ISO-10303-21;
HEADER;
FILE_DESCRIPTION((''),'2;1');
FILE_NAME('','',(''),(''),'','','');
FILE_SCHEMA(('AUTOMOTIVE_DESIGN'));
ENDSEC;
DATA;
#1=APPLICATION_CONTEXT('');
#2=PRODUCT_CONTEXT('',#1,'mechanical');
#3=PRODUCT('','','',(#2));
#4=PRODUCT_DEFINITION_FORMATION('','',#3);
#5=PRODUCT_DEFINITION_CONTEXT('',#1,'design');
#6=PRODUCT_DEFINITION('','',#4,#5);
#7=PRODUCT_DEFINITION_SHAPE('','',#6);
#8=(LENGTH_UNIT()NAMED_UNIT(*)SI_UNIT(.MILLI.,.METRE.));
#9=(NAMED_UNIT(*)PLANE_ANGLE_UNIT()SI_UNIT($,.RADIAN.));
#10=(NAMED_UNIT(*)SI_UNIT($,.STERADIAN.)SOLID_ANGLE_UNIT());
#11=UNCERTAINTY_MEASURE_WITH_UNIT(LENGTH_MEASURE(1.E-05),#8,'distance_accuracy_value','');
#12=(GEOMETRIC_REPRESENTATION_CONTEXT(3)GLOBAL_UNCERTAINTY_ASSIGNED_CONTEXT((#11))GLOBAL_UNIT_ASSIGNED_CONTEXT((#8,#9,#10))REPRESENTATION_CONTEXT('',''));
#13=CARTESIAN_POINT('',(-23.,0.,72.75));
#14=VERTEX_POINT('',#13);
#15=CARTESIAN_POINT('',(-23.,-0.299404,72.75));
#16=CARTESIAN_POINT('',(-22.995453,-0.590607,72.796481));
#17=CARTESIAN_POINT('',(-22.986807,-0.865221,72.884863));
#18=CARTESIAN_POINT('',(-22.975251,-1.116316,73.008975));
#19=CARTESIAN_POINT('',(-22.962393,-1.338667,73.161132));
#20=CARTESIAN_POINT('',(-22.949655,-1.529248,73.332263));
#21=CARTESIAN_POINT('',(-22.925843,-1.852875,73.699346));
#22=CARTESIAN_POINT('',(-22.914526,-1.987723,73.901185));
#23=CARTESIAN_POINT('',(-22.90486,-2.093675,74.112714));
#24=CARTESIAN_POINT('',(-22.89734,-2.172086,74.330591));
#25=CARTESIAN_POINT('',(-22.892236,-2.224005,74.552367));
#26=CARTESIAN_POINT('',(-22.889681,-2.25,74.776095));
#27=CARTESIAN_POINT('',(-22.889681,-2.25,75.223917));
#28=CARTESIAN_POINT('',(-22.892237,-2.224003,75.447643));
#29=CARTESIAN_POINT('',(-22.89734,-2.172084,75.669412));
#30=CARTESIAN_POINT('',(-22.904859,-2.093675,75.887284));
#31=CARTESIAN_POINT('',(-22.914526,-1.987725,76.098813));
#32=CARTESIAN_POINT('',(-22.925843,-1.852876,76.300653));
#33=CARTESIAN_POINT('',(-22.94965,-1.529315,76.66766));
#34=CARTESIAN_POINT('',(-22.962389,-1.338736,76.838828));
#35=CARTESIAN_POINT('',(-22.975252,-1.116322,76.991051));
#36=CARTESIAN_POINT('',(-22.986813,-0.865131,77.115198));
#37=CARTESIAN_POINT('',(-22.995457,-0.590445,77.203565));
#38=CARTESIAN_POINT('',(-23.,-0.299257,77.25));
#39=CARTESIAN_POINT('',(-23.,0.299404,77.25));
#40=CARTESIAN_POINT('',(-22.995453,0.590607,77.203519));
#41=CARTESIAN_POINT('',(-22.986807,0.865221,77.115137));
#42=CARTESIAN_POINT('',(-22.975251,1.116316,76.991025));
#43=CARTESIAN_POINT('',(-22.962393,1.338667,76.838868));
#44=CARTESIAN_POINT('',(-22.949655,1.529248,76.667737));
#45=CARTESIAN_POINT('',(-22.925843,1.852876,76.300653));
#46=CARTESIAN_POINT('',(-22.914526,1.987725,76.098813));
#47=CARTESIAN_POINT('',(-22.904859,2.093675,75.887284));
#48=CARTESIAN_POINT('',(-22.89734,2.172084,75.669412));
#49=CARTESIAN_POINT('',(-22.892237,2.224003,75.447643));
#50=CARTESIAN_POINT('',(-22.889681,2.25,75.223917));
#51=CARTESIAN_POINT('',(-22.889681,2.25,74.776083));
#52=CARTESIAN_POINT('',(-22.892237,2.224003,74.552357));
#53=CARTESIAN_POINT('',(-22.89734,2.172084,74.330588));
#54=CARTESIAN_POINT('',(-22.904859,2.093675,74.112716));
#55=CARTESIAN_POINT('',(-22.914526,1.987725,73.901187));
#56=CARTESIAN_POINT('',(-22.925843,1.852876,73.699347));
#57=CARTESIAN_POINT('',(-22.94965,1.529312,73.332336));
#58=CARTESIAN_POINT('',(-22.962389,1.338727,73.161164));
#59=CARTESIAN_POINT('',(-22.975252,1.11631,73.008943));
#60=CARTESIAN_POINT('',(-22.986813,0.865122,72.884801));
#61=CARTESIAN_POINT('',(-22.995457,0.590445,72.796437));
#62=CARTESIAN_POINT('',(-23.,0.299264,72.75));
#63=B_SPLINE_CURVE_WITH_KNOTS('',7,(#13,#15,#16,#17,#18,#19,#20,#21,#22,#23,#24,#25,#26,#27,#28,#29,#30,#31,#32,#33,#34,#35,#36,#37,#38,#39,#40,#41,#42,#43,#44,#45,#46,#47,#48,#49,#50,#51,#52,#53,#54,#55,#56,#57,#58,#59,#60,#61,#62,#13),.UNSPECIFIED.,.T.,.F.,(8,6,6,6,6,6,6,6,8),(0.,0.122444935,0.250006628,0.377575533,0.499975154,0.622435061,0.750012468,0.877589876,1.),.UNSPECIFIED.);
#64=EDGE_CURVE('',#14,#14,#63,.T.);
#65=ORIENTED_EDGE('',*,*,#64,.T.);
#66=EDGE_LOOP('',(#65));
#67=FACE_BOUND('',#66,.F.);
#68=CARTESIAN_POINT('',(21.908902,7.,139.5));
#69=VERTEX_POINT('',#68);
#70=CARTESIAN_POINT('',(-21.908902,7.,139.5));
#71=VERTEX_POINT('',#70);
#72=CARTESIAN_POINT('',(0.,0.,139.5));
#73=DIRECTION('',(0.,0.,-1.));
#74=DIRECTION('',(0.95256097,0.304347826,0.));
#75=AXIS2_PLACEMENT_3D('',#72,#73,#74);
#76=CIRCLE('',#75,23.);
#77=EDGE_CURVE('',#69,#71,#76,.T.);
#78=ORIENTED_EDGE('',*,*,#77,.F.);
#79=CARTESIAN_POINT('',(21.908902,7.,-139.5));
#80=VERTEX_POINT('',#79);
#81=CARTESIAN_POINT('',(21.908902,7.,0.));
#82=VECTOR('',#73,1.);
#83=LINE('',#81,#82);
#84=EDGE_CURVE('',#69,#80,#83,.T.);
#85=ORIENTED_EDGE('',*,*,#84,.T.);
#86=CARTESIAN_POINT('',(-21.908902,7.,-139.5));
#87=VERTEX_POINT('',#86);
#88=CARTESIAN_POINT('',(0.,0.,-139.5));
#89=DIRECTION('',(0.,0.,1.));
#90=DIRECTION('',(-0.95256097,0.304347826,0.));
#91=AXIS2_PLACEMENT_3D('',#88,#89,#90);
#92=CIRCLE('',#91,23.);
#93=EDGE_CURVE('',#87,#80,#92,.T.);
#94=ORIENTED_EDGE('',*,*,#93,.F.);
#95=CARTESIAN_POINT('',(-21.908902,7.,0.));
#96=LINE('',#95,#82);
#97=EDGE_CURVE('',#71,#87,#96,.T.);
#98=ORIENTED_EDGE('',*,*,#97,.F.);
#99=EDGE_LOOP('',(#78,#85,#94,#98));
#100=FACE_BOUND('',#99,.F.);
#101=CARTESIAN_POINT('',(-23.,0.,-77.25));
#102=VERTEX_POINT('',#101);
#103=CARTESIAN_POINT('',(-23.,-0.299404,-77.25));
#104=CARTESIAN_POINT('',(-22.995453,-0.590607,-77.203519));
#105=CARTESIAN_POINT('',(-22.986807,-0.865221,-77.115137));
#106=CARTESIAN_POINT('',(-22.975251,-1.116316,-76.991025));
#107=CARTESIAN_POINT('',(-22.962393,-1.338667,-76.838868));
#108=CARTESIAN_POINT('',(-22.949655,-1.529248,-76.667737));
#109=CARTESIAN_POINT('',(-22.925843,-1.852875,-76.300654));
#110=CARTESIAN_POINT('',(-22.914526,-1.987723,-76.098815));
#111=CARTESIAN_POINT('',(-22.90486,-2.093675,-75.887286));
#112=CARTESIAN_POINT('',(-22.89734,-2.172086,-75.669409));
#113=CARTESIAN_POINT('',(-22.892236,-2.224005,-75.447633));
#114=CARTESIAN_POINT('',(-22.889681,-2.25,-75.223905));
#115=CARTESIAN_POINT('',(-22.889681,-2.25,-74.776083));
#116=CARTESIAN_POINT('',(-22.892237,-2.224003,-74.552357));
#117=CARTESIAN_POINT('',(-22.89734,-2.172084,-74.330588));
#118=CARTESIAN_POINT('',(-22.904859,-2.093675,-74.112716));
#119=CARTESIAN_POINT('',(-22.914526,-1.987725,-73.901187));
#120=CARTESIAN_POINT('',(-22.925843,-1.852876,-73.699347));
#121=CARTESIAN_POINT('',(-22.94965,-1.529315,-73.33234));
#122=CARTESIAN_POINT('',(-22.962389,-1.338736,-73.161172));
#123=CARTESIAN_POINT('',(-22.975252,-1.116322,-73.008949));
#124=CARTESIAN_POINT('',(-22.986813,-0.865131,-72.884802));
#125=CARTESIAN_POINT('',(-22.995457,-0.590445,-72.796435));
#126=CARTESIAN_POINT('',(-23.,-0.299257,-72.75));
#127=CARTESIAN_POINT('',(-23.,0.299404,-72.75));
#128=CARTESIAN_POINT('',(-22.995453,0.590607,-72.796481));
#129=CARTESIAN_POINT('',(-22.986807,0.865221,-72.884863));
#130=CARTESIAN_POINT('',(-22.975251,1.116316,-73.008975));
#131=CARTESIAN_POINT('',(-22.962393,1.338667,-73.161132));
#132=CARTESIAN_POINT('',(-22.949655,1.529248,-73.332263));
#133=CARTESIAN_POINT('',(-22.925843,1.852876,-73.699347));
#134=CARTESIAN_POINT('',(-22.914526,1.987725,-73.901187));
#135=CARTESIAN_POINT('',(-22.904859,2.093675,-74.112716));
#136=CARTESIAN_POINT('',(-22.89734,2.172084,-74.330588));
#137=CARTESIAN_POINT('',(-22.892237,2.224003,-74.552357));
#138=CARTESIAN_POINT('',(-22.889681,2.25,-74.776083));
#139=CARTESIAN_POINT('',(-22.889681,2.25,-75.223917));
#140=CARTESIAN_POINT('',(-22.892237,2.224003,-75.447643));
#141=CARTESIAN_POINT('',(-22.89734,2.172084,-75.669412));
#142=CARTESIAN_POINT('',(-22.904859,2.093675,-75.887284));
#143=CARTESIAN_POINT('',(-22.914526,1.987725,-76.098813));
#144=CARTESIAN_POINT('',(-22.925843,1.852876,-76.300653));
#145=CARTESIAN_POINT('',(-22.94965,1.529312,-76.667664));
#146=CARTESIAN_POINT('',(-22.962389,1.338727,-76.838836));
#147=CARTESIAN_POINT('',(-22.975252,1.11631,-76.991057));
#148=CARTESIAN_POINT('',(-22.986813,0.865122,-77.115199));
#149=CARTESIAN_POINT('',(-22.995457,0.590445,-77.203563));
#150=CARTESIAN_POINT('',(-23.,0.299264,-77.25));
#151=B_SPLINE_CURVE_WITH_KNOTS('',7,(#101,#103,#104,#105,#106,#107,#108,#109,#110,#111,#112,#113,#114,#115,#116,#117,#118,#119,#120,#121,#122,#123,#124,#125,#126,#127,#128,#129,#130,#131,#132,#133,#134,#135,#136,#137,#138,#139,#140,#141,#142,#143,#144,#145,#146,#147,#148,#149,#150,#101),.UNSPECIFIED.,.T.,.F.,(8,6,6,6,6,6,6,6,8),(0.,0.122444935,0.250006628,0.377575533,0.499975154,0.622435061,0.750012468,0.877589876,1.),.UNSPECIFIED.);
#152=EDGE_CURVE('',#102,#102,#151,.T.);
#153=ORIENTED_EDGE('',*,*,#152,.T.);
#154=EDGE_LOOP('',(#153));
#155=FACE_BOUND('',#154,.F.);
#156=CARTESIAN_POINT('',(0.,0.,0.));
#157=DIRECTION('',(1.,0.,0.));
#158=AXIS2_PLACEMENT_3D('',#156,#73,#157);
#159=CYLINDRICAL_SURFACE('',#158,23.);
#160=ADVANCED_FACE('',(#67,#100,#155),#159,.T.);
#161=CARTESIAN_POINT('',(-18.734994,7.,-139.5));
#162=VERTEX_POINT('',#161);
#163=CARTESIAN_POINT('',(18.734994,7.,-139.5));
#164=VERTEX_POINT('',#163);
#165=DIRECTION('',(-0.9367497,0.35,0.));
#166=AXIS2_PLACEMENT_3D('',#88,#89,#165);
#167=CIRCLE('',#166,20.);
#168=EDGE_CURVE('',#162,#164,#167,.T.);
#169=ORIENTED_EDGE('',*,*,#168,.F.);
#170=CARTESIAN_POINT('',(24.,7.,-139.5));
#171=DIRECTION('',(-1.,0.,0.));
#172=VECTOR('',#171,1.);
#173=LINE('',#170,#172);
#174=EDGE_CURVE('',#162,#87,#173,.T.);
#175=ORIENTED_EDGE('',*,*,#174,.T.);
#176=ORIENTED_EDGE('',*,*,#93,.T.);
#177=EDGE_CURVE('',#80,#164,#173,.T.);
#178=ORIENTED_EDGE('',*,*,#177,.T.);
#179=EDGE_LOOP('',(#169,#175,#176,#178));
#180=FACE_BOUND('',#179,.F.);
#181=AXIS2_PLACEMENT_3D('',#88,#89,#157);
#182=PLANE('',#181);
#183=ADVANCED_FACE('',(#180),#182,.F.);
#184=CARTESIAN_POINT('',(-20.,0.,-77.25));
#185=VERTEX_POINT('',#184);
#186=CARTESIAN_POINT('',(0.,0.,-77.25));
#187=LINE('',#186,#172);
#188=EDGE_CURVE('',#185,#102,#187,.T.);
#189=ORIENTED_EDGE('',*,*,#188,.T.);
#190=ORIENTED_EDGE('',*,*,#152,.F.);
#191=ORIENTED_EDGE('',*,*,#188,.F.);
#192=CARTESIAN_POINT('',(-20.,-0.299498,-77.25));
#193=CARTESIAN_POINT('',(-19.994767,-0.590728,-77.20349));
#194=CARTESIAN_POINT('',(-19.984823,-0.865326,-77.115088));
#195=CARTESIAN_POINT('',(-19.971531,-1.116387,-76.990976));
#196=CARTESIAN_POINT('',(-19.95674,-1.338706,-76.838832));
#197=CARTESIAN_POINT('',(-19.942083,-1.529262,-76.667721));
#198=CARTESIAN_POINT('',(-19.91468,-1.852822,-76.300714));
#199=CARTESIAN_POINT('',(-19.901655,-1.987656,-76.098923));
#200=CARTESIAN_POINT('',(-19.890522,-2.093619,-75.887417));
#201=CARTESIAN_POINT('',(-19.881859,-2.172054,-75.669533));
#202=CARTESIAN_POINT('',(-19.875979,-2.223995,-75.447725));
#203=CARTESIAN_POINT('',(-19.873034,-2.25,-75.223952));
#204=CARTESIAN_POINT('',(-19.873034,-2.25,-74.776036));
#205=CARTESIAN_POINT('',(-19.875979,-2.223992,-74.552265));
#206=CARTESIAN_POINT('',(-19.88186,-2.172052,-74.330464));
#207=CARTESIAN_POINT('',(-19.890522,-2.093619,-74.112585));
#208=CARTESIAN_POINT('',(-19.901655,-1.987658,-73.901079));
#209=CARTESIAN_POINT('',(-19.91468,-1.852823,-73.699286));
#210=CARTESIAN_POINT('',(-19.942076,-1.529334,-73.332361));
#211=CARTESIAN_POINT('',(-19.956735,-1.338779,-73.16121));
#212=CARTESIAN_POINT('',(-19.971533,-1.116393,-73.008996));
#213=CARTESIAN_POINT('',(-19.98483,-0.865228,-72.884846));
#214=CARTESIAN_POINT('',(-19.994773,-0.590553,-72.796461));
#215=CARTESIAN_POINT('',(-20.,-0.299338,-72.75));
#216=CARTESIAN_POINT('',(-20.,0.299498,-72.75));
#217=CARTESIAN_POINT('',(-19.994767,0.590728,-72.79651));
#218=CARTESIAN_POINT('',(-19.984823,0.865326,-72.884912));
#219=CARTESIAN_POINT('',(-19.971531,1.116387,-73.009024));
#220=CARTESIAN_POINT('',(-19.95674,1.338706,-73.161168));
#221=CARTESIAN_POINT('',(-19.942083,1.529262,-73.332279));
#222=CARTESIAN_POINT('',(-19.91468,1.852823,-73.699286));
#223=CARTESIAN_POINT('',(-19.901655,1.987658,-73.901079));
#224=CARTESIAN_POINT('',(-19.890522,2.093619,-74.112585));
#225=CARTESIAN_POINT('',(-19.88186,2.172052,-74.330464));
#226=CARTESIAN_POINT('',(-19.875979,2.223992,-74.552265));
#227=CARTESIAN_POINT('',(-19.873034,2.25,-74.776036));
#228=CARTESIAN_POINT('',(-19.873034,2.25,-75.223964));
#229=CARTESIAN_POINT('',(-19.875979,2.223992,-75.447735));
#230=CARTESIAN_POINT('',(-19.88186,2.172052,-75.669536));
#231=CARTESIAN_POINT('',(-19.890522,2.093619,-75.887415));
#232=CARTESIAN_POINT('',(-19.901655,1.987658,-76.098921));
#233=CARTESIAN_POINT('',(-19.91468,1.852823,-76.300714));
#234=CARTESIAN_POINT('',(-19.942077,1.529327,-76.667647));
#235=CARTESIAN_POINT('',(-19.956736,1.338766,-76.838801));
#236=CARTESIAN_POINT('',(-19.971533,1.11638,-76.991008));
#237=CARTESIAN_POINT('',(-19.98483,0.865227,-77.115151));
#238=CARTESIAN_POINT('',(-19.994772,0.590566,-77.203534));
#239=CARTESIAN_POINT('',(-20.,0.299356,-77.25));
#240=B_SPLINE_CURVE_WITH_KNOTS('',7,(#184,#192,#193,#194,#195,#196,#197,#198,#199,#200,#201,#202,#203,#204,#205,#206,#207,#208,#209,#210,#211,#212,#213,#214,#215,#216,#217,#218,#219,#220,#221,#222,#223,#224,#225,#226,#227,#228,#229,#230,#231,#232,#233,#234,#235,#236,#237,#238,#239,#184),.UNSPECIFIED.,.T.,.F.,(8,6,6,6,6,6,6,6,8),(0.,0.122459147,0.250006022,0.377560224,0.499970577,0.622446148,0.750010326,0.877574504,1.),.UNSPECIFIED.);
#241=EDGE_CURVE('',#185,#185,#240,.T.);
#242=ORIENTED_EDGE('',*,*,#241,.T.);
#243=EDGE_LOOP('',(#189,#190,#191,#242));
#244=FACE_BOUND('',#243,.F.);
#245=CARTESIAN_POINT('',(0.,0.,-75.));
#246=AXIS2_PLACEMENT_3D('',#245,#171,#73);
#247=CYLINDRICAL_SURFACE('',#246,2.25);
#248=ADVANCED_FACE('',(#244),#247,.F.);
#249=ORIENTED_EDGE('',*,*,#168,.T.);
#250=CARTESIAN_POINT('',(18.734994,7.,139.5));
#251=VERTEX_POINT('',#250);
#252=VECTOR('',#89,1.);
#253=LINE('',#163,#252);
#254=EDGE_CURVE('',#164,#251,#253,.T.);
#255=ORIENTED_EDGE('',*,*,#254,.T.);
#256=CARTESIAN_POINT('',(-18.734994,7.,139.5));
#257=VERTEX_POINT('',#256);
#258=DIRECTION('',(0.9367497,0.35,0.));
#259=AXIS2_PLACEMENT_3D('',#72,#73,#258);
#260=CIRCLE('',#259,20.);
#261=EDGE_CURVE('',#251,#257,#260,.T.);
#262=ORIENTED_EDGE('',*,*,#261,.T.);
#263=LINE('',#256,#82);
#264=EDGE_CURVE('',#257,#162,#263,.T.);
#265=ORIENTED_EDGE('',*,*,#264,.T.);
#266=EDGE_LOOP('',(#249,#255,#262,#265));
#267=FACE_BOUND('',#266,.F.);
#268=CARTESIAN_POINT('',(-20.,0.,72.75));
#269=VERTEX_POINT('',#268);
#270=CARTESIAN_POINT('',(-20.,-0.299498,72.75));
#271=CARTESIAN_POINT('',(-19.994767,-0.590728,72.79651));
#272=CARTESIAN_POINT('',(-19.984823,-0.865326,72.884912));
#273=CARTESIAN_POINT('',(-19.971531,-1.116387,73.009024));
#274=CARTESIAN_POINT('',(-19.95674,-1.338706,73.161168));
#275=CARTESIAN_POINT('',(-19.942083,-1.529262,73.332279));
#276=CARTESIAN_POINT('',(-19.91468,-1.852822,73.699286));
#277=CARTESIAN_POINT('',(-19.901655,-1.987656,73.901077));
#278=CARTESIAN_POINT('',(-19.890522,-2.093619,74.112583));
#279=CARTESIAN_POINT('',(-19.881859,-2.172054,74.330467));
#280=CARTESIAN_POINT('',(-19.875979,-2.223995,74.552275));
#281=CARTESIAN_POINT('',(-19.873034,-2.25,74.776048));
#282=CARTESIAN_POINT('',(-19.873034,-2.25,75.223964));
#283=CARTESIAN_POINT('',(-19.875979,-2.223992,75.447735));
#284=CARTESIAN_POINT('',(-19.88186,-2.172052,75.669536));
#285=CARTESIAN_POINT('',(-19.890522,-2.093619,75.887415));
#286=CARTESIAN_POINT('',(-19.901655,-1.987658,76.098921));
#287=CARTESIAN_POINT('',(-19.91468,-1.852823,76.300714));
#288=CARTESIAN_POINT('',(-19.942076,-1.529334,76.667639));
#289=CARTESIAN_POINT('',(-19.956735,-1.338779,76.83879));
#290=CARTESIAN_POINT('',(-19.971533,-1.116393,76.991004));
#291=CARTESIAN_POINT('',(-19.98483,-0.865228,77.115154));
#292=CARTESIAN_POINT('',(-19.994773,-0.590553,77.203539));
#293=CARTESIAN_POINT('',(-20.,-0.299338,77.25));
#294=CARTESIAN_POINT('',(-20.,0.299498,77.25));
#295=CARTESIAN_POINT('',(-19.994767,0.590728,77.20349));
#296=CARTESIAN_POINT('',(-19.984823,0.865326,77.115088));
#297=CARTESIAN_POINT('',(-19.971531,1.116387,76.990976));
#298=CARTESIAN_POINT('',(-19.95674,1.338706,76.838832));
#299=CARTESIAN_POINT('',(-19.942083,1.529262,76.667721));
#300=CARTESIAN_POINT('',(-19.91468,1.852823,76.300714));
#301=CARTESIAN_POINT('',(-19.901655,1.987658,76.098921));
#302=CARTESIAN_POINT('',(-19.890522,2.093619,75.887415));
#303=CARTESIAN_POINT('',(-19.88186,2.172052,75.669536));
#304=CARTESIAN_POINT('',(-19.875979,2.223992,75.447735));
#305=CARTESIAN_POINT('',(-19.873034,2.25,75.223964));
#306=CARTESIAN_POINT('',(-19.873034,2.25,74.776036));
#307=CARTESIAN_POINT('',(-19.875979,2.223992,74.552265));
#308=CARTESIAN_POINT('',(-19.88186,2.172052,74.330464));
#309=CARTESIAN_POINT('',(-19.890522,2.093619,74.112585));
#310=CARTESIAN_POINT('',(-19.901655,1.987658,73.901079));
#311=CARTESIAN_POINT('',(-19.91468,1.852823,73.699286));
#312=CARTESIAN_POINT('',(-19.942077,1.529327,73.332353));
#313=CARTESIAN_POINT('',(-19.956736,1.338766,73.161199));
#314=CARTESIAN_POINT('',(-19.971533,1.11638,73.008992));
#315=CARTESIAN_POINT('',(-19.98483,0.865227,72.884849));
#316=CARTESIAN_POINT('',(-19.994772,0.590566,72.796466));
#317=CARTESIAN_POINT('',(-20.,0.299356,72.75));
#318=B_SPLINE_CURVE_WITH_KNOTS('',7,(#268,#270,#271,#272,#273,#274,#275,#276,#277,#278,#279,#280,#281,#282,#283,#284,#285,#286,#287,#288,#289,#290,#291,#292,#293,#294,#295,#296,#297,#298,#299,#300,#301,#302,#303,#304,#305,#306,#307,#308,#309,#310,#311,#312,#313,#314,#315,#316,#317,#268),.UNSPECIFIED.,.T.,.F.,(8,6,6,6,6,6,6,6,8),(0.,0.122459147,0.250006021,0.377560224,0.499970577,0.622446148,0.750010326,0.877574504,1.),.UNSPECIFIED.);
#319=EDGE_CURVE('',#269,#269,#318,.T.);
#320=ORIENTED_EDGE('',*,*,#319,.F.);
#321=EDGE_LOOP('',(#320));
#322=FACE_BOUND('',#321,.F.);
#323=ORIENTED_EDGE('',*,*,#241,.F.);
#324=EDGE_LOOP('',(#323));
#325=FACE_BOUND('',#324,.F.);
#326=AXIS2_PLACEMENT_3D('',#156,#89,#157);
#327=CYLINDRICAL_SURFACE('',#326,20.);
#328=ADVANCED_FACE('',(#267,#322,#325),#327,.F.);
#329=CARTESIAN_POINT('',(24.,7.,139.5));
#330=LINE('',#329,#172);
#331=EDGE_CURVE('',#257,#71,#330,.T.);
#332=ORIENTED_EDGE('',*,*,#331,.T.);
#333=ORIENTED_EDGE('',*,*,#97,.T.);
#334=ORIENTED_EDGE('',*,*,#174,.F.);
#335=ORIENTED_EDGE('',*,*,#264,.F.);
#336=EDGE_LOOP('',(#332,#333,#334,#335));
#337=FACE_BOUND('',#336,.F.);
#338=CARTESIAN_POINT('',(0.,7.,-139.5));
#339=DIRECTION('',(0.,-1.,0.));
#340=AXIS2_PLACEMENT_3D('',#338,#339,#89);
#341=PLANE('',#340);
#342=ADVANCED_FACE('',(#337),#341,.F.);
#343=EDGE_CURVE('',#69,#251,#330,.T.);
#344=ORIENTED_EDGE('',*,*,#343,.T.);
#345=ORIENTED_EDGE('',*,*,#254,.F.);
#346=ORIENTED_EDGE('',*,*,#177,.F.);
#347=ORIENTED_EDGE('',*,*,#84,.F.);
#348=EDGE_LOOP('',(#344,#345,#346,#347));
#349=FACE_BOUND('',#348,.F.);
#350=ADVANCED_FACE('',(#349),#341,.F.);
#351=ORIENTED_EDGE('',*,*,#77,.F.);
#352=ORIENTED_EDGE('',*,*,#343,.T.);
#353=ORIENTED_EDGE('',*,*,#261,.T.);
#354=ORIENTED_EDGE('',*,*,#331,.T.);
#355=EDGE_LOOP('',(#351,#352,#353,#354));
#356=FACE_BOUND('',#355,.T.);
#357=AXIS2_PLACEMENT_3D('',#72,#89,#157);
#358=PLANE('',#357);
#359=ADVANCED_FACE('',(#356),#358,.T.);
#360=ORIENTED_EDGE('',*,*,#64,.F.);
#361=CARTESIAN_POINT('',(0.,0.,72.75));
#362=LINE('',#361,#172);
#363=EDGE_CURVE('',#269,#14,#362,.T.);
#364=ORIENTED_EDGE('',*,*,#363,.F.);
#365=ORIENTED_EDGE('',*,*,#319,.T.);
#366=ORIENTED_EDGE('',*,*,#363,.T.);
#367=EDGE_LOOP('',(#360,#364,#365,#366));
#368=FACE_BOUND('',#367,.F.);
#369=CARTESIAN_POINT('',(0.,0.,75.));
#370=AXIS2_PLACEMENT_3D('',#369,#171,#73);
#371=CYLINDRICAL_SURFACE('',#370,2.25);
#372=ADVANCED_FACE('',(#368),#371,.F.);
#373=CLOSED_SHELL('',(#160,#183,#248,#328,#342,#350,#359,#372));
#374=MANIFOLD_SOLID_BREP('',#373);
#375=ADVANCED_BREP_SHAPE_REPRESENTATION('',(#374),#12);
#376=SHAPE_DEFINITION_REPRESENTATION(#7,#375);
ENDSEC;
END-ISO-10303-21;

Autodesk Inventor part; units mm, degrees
ref_plane "YZ Plane" through (0, 0, 0) normal (1, 0, 0) x (0, 1, 0)
ref_plane "XZ Plane" through (0, 0, 0) normal (0, 1, 0) x (-1, 0, 0)
ref_plane "XY Plane" through (0, 0, 0) normal (0, 0, 1) x (1, 0, 0)
sketch "Sketch1" plane through (0, 0, 0) normal (0, 0, 1) x (1, 0, 0)
  circle A0 centre (0, 0) radius 20
  circle A1 centre (0, 0) radius 23
  dimension "d0" = 40
  dimension "d1" = 46
extrude "Extrusion1" add sketch "Sketch1" along normal mid plane 279
sketch "Sketch2" plane through (0, 0, 0) normal (1, 0, 0) x (0, 1, 0)
  line L0 (0, 105) -> (0, -105) projected
  line L1 (-105, 0) -> (105, 0) projected
  point P0 (0, 0)
  point P1 (0, 75)
  point P2 (0, -75)
  dimension "d19" = 75
  dimension "d20" = 150
hole "Hole1" at (0, 0, 75) at (0, 0, -75) direction (-1, 0, 0) diameter 4.5 end through all clearance for "Flat Head Machine Screw" size "M4" standard "Ansi Metric M Profile"
sketch "Sketch3" plane through (0, 0, 0) normal (1, 0, 0) x (0, 1, 0)
  line L0 (23, -139.5) -> (7, -139.5)
  line L1 (7, -139.5) -> (7, 139.5)
  line L2 (7, 139.5) -> (23, 139.5)
  line L3 (23, 139.5) -> (23, -139.5)
  line L4 (23, 139.5) -> (-23, 139.5) projected
  line L5 (-23, -139.5) -> (23, -139.5) projected
  line L6 (0, 198.1) -> (0, -198.1) projected
  point P0 (0, 0)
  dimension "d13" = 0
  dimension "d14" = 0
  dimension "d15" = 7
extrude "Extrusion2" cut sketch "Sketch3" along normal through all both and the other way through all contours L0 L1 L2 L3
equation "\"d19\" = 0.5 * d20"
properties part number "Top_Tilt Pipe" material "PVC-Piping"
